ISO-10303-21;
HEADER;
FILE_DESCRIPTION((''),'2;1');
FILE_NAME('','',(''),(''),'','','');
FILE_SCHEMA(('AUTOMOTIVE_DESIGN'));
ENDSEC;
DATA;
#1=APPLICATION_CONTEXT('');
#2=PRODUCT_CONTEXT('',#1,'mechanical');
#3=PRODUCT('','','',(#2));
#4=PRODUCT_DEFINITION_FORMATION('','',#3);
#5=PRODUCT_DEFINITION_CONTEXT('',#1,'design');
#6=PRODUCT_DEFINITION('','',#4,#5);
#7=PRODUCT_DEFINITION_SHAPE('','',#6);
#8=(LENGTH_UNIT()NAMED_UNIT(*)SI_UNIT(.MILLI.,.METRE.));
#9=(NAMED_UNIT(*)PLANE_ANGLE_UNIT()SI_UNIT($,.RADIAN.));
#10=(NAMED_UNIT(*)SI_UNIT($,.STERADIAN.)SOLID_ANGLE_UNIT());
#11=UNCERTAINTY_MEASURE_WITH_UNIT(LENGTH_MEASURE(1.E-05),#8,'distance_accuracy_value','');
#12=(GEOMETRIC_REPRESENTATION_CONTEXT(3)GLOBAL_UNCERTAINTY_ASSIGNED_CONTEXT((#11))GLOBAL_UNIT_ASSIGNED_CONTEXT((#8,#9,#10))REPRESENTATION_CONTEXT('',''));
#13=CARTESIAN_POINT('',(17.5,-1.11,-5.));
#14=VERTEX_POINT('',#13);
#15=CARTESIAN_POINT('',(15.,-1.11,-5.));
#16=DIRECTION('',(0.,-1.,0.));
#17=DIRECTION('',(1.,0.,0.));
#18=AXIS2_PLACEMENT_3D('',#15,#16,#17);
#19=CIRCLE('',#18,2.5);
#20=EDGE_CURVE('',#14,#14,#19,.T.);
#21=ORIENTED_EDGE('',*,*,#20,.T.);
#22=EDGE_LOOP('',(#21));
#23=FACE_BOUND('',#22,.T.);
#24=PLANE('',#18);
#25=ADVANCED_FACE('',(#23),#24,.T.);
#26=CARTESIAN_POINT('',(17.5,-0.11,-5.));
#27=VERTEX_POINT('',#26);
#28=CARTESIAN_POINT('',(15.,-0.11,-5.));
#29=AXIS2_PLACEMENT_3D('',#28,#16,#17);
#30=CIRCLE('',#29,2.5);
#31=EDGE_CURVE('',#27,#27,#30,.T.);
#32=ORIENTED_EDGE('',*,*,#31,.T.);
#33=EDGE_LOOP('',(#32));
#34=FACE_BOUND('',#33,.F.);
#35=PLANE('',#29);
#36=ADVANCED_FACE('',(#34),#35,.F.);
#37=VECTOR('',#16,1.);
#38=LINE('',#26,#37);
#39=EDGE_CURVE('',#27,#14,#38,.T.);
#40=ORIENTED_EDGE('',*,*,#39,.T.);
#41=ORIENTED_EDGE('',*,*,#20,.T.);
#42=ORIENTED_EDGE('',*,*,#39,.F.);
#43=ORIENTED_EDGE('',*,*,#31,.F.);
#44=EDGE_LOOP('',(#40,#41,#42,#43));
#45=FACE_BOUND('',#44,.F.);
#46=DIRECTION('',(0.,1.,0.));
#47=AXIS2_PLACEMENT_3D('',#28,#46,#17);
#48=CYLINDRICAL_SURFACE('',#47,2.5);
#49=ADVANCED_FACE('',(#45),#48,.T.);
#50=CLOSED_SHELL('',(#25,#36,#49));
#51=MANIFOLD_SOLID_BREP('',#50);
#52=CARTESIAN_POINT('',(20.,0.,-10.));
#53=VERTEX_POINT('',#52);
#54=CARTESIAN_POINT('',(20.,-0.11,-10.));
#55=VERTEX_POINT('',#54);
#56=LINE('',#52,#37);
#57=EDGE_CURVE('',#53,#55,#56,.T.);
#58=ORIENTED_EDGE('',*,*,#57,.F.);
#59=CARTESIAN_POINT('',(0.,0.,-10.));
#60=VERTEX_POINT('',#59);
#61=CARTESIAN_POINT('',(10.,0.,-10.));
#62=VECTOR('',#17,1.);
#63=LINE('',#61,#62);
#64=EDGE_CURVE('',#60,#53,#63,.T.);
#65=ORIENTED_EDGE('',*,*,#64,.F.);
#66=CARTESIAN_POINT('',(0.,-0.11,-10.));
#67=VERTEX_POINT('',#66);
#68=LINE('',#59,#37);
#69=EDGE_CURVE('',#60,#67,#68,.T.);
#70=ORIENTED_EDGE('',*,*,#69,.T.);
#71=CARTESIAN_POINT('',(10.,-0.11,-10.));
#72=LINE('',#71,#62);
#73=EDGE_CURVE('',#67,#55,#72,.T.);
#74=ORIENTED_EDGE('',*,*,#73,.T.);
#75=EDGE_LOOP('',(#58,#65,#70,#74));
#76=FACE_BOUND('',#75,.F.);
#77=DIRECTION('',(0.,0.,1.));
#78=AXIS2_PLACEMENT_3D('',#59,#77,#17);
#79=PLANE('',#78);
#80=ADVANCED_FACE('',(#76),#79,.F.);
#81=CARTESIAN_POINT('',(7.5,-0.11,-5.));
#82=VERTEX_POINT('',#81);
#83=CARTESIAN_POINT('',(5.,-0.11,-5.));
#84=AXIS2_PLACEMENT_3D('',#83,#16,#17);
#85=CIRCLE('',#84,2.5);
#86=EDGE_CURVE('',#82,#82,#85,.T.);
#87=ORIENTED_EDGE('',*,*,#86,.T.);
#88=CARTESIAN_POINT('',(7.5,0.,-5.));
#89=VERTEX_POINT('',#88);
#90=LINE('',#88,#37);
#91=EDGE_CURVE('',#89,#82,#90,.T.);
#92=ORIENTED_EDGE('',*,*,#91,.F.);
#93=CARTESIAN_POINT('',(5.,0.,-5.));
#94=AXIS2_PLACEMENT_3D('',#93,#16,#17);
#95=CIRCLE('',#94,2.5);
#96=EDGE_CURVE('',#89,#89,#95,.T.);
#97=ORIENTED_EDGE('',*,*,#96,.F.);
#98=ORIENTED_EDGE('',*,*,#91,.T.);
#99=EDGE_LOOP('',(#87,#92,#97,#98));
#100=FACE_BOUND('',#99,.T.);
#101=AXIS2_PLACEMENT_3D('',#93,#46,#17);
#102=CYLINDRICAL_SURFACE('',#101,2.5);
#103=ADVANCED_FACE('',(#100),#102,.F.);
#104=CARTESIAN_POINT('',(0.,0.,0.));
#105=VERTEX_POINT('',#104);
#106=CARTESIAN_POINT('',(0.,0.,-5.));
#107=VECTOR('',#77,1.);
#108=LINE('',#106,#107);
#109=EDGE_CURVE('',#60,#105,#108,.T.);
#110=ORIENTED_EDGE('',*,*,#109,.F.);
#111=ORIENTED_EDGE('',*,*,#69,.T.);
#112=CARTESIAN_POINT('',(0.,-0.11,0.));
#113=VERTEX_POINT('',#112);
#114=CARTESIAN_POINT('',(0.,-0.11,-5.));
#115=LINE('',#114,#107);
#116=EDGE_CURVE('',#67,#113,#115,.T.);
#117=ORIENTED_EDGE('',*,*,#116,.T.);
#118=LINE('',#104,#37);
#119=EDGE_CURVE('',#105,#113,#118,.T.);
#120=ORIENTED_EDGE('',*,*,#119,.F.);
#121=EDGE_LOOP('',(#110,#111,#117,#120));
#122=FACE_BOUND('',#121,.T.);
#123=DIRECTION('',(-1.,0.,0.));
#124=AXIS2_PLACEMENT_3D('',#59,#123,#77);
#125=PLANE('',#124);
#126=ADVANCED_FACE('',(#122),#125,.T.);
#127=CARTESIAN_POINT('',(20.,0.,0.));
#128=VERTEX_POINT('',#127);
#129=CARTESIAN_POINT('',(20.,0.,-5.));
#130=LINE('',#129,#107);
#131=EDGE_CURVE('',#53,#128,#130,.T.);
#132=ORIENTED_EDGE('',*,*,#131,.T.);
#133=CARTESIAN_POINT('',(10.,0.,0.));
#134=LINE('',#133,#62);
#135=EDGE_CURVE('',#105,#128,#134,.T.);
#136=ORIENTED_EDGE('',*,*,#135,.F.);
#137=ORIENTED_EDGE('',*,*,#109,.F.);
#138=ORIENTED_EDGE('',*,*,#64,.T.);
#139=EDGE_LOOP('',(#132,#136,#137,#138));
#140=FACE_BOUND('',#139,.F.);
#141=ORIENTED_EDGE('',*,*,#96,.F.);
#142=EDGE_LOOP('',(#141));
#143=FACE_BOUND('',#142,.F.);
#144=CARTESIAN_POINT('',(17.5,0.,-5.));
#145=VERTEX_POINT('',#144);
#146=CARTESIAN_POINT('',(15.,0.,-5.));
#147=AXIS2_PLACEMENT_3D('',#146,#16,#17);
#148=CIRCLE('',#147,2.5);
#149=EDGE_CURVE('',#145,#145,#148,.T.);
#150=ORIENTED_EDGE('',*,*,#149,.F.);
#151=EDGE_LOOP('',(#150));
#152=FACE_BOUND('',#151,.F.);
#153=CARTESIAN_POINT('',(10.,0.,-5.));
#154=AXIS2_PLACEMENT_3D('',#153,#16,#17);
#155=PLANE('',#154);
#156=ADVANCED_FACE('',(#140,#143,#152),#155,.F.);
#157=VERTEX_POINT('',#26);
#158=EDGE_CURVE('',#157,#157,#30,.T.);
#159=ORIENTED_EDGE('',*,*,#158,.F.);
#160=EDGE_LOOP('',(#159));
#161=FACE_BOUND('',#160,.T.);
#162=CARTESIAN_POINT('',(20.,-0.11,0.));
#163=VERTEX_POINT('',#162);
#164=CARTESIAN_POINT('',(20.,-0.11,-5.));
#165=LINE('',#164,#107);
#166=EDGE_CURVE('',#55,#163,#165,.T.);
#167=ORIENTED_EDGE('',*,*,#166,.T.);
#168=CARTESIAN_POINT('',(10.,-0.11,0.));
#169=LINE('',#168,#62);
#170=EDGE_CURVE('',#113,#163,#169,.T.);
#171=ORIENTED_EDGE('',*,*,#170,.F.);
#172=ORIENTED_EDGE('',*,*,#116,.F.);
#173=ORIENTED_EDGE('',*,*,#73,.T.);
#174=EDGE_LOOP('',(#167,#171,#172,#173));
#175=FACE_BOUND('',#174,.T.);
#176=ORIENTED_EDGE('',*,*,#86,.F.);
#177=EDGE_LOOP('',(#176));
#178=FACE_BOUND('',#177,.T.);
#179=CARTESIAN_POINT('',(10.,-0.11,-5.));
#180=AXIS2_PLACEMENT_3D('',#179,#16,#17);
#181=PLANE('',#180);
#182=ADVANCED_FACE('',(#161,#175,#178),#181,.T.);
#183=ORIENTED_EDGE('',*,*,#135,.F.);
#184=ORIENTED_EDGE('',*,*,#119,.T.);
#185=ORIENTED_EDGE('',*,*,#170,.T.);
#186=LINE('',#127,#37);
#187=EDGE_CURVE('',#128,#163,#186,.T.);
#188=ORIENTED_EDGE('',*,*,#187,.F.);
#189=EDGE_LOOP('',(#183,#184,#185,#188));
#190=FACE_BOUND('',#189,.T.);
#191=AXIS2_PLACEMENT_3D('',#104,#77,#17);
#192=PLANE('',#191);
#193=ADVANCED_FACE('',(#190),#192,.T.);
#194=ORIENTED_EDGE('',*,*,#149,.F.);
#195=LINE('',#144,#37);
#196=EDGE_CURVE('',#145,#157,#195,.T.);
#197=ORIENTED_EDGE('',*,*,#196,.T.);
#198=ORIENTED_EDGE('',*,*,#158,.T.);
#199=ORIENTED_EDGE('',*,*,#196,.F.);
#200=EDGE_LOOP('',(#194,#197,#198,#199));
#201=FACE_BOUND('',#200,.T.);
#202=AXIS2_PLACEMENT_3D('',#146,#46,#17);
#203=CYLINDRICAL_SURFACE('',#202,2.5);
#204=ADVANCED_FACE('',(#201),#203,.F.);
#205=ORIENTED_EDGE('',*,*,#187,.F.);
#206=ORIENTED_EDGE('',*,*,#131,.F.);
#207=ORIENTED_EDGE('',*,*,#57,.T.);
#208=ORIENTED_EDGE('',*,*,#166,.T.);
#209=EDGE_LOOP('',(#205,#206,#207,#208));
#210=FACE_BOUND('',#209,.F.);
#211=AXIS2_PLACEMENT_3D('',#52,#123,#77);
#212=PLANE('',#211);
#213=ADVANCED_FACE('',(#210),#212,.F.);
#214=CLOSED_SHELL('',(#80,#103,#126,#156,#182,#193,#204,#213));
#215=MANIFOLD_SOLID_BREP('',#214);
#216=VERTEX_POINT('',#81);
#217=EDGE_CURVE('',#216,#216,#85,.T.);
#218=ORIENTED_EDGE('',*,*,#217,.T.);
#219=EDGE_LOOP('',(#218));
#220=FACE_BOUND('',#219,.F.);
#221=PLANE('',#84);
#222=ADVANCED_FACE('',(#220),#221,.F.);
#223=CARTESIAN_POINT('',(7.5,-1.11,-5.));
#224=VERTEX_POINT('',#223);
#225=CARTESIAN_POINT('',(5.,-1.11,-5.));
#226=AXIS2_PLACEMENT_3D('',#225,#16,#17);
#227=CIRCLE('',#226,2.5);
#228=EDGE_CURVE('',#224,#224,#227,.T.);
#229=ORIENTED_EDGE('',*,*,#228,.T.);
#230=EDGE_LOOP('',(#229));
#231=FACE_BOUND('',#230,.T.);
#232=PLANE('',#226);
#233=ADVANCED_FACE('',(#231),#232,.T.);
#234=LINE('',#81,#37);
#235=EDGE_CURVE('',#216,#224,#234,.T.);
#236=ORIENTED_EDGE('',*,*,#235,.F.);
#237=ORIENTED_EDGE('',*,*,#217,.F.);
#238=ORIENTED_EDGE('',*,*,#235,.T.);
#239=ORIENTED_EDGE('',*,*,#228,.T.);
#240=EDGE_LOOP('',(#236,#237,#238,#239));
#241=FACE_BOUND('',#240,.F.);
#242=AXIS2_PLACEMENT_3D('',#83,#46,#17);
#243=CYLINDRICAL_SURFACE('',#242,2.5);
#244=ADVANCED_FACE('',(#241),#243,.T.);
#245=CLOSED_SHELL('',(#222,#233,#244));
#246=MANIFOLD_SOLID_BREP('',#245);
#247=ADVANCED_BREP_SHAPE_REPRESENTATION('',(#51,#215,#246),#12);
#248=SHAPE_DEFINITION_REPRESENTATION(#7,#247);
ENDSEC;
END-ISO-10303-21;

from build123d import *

# Parameters (mm, degrees)
F0_W     = 20
F0_H     = 10
F0_R     = 2.5
F1_DEPTH = 0.11
F2_R     = 2.5
F3_DEPTH = 1


with BuildPart() as f1:
    # F0 (on Front) → F1 (new body)
    with BuildSketch(Plane.XZ):
        with Locations((10, -5)):
            Rectangle(F0_W, F0_H)
        with Locations((5, -5)):
            Circle(F0_R, mode=Mode.SUBTRACT)
        with Locations((15, -5)):
            Circle(F0_R, mode=Mode.SUBTRACT)
    extrude(amount=F1_DEPTH)


with BuildPart() as f3:
    # F2 (on face) → F3 (new body)
    with BuildSketch(Plane.XZ.offset(0.11)):
        with Locations((5, -5)):
            Circle(F2_R)
        with Locations((15, -5)):
            Circle(F2_R)
    extrude(amount=F3_DEPTH)


solid = Compound([f1.part, f3.part])
